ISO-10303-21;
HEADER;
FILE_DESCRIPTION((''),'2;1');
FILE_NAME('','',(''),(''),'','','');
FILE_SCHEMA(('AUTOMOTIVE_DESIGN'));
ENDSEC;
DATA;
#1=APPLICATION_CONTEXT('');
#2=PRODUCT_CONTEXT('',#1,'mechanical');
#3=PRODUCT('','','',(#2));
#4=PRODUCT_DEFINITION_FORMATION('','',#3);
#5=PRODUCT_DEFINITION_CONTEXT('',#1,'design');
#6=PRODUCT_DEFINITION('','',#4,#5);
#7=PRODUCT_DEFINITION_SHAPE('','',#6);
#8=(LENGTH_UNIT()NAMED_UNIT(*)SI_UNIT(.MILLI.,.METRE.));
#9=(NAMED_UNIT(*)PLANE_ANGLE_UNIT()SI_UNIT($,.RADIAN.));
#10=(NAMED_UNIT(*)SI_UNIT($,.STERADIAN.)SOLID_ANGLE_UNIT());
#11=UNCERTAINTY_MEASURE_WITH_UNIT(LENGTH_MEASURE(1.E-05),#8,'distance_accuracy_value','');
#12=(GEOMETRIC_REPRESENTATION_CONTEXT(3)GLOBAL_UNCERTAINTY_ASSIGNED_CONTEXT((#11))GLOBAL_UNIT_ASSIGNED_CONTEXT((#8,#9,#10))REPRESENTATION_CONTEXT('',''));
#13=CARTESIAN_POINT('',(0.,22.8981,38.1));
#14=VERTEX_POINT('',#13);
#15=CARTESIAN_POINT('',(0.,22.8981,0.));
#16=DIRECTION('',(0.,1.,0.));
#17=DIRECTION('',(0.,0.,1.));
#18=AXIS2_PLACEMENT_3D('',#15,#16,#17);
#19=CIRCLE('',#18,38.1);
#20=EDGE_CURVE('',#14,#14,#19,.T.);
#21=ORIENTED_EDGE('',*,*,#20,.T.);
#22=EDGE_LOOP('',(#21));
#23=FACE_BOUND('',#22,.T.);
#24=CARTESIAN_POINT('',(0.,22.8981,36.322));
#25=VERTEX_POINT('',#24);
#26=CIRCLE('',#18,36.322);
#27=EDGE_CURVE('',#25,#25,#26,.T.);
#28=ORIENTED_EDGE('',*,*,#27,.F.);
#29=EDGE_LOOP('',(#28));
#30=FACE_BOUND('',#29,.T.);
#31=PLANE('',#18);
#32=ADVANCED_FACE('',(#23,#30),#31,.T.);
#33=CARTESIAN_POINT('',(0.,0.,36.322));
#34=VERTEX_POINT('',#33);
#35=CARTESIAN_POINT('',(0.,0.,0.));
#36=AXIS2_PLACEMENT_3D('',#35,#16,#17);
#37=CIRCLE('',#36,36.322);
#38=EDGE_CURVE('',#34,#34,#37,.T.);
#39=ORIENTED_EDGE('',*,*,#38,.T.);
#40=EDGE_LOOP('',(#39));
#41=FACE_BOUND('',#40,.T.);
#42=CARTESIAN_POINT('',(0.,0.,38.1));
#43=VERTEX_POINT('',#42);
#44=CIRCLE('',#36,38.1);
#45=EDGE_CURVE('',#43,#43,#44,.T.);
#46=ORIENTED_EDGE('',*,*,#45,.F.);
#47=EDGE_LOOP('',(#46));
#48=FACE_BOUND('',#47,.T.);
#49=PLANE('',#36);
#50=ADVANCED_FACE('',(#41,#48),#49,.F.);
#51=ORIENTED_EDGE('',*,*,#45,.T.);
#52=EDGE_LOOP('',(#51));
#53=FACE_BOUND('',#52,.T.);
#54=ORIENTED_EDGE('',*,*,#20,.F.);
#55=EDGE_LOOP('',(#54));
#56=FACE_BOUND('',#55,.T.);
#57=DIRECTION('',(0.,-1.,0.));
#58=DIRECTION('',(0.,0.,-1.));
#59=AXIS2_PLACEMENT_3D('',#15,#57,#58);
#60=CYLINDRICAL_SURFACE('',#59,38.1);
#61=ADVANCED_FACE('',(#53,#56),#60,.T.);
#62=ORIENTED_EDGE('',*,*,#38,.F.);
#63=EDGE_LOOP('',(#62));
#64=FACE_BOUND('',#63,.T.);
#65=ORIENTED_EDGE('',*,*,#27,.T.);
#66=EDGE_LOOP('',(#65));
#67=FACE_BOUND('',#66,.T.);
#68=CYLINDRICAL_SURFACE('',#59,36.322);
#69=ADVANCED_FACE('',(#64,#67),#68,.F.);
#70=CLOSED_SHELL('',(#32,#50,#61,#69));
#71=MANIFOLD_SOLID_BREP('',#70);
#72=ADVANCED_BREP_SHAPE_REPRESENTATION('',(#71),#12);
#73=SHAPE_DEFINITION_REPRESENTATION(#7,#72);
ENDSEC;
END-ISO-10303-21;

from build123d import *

# Parameters (mm, degrees)
SKETCH1_R    = 38.1
SKETCH1_R_2  = 36.322
WINDOW_DEPTH = 22.8981


with BuildPart() as part:
    # Sketch1 → window (new body)
    with BuildSketch(Plane(origin=(0, 0, 0), x_dir=(1, 0, 0), z_dir=(0, 1, 0))):
        Circle(SKETCH1_R)
        Circle(SKETCH1_R_2, mode=Mode.SUBTRACT)
    extrude(amount=WINDOW_DEPTH)


solid = part.part
